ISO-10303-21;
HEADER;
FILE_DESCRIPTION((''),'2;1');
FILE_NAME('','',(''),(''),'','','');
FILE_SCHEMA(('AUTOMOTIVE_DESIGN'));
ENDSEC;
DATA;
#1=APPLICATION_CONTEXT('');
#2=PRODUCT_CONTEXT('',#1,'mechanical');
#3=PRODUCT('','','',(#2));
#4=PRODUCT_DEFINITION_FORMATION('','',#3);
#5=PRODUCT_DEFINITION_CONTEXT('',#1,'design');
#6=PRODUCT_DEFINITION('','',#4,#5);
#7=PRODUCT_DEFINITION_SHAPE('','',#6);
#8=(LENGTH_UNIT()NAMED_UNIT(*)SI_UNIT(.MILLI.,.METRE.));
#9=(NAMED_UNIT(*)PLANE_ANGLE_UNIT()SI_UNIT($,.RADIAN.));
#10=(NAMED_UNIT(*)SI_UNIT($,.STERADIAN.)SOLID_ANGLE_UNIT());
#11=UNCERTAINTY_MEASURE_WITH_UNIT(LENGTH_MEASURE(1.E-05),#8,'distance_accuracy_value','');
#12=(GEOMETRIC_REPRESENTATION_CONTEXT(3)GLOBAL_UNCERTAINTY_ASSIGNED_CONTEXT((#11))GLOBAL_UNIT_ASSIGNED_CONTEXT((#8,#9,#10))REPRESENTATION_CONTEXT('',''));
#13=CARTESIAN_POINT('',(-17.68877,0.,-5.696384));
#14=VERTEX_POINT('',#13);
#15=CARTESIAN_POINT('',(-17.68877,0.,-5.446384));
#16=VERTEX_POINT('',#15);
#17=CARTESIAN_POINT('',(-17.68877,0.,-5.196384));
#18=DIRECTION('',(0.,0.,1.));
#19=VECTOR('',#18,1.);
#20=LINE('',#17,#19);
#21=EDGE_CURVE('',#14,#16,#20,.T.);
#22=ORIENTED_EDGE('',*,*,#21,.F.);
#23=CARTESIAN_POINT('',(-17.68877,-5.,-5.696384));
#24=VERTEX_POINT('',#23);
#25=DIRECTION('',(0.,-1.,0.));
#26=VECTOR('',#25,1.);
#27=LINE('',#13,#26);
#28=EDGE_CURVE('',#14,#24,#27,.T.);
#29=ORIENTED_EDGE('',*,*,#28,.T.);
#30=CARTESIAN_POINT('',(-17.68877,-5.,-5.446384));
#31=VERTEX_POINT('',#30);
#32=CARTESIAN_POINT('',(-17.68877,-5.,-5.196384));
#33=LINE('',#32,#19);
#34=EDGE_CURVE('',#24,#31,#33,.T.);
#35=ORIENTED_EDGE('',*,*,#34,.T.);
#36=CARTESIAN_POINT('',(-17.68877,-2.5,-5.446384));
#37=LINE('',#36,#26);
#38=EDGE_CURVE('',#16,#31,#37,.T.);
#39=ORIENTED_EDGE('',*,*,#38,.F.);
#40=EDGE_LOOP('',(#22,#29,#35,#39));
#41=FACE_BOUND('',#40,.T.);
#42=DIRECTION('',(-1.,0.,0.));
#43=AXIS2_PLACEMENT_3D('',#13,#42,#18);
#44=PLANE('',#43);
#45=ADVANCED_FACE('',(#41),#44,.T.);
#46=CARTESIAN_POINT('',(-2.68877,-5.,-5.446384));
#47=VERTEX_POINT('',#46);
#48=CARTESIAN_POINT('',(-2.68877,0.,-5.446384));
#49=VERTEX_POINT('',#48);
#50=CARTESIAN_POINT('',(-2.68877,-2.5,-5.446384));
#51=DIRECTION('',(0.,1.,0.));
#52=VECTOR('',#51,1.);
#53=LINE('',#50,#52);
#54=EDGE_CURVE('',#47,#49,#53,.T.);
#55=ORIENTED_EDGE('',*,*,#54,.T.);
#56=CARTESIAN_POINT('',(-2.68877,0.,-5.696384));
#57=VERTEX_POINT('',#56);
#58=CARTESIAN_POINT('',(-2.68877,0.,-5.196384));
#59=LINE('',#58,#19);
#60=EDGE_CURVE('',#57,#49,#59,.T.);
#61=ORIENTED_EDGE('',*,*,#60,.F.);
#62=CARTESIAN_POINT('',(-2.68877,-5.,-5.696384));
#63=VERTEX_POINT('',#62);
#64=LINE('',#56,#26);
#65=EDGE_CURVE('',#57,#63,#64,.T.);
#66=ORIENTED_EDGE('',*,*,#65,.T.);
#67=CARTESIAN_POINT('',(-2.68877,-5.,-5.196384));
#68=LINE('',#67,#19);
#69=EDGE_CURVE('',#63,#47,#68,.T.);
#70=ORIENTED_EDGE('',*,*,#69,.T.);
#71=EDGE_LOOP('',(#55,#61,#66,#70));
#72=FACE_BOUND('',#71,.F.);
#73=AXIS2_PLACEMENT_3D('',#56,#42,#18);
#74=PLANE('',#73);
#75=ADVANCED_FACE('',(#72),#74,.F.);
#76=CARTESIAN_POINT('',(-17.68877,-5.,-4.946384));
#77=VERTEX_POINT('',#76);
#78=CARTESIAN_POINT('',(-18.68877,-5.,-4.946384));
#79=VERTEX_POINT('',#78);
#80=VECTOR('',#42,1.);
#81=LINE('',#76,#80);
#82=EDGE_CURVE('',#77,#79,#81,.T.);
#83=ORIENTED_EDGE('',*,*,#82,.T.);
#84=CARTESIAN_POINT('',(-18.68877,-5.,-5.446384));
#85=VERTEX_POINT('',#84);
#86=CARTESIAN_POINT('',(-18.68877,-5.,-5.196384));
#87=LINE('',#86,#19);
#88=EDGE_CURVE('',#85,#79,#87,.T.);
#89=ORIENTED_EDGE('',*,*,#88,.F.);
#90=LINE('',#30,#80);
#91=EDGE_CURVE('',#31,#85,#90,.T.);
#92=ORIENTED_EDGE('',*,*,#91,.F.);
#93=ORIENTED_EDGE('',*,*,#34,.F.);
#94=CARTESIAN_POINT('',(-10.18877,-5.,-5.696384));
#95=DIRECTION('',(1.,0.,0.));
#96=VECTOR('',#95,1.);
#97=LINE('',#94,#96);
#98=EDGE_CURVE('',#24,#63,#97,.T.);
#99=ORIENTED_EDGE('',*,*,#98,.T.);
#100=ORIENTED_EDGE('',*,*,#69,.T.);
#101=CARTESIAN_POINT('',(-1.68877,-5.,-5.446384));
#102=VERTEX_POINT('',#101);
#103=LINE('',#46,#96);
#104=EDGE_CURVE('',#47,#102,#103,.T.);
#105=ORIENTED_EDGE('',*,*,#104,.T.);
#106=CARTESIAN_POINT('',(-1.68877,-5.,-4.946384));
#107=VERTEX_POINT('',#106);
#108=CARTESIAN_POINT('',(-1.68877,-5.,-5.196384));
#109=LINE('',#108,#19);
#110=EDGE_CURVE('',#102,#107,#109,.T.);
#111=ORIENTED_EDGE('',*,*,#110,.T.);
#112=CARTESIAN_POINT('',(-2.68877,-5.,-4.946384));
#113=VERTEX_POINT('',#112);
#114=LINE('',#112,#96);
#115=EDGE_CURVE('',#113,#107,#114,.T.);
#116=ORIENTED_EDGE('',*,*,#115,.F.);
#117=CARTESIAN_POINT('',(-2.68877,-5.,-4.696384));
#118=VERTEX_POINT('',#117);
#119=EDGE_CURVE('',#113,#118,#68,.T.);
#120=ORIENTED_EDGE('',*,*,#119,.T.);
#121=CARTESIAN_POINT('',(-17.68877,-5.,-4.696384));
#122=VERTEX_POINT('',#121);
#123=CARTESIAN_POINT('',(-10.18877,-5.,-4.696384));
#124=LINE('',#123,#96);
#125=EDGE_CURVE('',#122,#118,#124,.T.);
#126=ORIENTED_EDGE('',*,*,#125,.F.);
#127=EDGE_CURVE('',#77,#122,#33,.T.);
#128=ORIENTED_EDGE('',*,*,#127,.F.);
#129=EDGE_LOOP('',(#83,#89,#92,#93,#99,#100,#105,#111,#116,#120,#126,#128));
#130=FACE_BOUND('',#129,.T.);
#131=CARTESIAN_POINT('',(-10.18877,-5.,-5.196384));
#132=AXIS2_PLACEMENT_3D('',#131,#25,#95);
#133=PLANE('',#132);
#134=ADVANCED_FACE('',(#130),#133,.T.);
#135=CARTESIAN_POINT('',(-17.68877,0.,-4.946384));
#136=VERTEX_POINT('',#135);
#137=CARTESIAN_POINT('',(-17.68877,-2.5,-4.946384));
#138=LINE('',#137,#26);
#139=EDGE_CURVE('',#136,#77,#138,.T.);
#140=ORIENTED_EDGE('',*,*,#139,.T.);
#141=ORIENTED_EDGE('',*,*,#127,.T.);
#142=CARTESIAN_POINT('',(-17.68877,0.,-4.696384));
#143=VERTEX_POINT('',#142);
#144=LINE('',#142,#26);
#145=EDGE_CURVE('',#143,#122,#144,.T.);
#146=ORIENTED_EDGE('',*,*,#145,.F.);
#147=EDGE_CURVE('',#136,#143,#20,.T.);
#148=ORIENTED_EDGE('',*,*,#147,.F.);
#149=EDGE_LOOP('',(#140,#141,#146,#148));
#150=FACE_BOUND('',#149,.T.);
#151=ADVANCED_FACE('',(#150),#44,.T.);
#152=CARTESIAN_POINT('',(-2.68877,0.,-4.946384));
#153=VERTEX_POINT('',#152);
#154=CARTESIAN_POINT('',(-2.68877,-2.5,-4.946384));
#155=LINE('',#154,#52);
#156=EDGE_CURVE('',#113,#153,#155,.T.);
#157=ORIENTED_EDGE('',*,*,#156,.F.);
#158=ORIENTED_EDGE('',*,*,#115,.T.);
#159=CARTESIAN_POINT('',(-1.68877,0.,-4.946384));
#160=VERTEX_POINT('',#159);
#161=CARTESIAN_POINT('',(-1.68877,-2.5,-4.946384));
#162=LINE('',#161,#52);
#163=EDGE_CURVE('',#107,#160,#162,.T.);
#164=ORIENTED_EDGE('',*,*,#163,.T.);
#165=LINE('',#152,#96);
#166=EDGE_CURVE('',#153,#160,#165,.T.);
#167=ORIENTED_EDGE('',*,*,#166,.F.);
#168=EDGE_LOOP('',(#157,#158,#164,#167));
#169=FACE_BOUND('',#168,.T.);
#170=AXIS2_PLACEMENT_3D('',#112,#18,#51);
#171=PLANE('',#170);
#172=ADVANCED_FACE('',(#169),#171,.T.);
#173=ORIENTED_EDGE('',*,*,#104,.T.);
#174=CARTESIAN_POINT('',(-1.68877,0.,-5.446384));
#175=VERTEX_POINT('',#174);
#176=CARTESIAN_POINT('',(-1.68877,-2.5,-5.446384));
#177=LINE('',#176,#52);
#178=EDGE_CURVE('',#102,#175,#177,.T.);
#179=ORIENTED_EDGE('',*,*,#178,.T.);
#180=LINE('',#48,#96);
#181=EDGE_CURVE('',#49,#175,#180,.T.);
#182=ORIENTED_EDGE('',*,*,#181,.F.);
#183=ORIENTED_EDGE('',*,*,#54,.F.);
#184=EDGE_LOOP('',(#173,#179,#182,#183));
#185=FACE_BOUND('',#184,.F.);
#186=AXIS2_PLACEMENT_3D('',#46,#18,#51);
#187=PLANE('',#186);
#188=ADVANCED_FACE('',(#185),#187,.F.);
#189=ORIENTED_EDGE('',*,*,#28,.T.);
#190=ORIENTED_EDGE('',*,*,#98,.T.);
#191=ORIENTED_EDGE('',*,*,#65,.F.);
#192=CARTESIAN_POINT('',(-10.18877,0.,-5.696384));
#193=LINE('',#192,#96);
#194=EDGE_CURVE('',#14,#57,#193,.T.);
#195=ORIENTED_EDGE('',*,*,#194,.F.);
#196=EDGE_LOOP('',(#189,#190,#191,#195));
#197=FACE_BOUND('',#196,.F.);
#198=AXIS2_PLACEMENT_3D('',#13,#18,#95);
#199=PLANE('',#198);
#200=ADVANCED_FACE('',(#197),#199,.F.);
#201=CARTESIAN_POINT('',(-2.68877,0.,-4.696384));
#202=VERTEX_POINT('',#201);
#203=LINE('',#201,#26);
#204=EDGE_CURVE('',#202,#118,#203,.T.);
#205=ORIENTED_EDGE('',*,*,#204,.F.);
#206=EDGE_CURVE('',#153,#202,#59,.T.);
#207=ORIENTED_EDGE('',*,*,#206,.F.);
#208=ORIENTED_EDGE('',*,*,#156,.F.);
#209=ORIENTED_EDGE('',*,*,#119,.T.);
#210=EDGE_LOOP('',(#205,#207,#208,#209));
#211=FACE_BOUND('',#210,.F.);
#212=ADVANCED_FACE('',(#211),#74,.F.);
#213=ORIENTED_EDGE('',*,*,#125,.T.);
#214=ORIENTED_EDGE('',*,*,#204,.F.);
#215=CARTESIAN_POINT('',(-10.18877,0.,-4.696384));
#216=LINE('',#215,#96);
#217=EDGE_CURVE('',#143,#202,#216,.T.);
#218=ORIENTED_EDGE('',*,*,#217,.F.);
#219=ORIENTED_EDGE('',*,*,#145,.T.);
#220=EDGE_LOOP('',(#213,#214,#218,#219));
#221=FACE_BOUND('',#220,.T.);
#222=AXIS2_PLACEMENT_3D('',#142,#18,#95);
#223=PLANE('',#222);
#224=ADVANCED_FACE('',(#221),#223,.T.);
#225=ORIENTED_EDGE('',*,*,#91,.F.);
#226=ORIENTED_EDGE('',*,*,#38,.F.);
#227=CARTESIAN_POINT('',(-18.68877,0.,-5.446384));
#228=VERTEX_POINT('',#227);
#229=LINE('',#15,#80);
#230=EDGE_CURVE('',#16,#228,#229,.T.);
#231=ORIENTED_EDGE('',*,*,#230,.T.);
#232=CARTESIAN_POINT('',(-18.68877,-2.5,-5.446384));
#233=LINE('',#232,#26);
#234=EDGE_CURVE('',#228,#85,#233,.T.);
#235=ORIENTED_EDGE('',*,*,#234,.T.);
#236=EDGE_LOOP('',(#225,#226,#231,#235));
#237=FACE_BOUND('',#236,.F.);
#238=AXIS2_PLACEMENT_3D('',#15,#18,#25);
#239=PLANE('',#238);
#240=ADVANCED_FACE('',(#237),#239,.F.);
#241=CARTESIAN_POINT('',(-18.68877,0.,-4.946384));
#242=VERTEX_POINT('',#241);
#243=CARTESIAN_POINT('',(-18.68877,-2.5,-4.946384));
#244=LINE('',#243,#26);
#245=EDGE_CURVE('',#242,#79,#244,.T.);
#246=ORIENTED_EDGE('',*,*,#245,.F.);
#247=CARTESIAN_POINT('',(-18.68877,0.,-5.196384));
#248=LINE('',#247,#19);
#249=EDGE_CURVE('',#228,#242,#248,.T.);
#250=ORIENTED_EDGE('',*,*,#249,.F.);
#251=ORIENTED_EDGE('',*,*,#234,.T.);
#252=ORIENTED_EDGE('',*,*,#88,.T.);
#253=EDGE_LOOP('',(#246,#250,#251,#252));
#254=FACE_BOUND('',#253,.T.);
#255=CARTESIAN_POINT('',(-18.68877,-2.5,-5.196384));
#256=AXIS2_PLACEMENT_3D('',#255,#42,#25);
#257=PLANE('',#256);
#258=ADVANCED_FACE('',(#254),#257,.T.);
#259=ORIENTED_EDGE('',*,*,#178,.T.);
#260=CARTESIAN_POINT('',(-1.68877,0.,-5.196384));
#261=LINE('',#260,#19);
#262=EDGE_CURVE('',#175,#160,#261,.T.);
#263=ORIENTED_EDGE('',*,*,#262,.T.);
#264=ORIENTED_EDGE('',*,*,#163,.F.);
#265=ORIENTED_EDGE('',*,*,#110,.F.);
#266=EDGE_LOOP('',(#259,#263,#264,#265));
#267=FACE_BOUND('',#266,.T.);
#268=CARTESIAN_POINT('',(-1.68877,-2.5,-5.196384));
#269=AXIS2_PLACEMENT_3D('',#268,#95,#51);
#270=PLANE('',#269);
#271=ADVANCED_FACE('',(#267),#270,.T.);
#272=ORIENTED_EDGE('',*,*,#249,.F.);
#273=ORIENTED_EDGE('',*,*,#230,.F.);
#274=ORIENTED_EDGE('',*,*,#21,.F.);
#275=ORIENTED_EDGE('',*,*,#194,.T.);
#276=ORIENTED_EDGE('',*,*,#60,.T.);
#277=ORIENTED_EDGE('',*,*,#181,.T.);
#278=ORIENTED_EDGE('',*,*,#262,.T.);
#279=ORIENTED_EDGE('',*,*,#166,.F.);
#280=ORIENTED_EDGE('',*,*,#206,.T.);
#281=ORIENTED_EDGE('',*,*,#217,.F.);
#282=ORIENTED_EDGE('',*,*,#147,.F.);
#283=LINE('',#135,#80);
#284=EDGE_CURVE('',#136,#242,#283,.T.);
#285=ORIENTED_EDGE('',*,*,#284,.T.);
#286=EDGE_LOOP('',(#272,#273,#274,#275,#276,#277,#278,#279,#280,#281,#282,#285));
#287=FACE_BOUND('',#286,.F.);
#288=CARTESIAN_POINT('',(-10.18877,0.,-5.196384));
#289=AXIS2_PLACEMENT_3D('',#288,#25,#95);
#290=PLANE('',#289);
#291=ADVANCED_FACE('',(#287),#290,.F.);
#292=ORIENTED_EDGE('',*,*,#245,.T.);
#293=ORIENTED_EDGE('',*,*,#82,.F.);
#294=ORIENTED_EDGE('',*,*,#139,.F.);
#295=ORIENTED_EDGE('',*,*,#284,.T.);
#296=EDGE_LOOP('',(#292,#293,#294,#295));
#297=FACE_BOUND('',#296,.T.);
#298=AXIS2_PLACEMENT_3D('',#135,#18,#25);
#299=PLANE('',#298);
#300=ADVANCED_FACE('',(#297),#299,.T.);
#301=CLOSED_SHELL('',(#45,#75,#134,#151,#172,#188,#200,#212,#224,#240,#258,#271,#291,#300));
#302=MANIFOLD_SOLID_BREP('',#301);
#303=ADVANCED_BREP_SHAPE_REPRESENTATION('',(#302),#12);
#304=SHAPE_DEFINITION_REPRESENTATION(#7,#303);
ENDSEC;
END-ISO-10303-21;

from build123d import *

# Parameters (mm, degrees)
F0_W     = 15
F0_H     = 1
F1_DEPTH = 5
F2_W     = 5
F2_H     = 0.5
F3_DEPTH = 1
F4_W     = 5
F4_H     = 0.5
F5_DEPTH = 1


with BuildPart() as f1:
    # F0 (on Front) → F1 (new body)
    with BuildSketch(Plane.XZ):
        with Locations((-10.18877, -5.196384)):
            Rectangle(F0_W, F0_H)
    extrude(amount=F1_DEPTH)

    # F2 (on face) → F3 (join)
    with BuildSketch(Plane(origin=(-17.68877, 0, 0), x_dir=(0, -1, 0), z_dir=(-1, 0, 0))):
        with Locations((2.5, -5.196384)):
            Rectangle(F2_W, F2_H)
    extrude(amount=F3_DEPTH)

    # F4 (on face) → F5 (join)
    with BuildSketch(Plane.YZ.offset(-2.68877)):
        with Locations((-2.5, -5.196384)):
            Rectangle(F4_W, F4_H)
    extrude(amount=F5_DEPTH)


solid = f1.part
